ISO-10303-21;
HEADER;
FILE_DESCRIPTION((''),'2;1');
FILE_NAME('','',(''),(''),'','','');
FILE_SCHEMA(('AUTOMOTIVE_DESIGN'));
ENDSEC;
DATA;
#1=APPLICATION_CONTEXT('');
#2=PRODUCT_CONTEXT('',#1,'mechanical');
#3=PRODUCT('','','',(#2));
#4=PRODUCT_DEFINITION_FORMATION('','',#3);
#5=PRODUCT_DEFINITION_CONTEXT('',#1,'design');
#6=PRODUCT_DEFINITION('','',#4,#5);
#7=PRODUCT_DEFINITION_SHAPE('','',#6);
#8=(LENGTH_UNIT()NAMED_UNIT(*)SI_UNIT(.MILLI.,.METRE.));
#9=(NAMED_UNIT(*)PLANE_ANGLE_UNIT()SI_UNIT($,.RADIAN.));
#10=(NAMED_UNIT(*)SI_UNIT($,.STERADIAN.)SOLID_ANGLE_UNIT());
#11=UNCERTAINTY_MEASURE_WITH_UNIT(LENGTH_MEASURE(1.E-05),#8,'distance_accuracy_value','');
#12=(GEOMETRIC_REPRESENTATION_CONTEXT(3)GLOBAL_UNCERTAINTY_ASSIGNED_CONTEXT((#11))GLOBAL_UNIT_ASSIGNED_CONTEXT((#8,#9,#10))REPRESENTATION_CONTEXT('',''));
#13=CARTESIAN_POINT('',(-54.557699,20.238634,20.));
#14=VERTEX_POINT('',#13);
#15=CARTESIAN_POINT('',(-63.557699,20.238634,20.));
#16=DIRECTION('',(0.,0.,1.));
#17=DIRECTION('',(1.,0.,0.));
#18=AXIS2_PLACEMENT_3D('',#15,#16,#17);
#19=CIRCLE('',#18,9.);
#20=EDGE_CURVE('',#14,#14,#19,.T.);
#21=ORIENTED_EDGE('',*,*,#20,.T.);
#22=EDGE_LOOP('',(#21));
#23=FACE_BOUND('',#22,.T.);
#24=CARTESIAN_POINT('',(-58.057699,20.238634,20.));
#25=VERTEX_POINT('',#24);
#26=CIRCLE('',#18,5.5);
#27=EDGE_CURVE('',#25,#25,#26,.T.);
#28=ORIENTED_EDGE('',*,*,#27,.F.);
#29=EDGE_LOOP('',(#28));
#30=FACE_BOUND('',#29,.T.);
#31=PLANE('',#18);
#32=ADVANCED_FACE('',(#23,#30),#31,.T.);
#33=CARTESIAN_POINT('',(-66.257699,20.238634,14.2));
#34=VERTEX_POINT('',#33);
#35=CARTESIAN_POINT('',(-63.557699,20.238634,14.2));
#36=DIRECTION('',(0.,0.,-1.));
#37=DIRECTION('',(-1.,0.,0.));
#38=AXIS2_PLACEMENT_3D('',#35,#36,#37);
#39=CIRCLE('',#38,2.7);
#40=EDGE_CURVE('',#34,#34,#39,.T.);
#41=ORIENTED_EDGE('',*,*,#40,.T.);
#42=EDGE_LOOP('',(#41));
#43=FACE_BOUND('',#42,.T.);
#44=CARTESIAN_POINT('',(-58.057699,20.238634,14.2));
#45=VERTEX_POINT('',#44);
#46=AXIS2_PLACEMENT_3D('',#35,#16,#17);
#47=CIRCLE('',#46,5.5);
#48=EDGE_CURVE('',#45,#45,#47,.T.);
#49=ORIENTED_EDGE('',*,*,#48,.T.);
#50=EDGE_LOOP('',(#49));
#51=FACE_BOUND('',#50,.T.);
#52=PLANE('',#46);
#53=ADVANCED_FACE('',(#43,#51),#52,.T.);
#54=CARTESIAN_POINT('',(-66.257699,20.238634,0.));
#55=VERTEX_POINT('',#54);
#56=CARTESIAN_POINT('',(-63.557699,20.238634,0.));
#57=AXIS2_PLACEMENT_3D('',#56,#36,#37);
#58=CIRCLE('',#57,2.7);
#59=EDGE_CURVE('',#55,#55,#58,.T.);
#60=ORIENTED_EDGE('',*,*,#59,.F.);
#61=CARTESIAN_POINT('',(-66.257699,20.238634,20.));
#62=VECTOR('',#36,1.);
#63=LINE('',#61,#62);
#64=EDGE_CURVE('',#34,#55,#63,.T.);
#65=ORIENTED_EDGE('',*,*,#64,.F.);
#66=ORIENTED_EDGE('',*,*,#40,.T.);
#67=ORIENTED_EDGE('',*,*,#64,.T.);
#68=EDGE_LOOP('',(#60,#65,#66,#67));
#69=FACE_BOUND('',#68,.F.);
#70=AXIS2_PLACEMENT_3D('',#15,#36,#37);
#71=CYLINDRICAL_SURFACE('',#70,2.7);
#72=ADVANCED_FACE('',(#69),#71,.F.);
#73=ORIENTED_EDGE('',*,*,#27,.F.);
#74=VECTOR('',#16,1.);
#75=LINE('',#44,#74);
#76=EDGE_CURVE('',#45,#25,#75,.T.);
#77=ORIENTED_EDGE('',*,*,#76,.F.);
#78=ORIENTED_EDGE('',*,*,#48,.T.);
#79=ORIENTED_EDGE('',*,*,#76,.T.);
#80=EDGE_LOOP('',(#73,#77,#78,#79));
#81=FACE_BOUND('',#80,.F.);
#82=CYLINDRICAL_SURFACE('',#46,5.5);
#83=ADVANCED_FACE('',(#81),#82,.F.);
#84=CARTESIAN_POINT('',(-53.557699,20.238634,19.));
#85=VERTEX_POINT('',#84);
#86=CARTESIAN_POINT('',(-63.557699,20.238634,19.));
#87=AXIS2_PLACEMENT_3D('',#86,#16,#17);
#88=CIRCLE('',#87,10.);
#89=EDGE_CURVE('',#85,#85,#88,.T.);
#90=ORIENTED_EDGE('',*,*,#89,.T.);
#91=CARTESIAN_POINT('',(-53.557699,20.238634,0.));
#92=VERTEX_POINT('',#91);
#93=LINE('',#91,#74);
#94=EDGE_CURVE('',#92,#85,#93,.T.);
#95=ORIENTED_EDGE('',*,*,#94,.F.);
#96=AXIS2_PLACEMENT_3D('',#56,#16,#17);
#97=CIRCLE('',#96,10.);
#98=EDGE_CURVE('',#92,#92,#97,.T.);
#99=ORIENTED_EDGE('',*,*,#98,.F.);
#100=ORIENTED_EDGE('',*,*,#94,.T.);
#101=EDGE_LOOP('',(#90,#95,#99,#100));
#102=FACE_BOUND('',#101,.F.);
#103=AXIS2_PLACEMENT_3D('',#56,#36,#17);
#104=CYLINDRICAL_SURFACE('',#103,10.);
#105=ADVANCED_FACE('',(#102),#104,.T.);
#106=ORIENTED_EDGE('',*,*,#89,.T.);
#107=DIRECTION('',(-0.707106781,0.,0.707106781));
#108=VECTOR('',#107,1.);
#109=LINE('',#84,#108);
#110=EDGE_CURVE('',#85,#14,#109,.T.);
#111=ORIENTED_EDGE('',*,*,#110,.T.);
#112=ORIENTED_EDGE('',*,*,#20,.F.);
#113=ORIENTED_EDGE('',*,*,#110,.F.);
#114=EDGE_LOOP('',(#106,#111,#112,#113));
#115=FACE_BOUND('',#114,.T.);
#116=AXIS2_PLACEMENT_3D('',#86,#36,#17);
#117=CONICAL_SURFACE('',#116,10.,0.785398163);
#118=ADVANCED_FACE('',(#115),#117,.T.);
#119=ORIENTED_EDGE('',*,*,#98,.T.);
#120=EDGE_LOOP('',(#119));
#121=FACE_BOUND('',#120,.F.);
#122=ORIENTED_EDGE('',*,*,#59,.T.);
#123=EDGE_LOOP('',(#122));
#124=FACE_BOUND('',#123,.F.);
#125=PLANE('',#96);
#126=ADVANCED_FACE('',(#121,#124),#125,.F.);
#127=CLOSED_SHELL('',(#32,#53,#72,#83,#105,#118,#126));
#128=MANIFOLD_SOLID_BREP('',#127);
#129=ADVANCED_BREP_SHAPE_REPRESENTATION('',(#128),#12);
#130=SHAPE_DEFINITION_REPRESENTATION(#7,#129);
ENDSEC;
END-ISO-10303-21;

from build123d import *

# Parameters (mm, degrees)
F0_R           = 10
F1_DEPTH       = 20
F2_SIZE        = 1
F4_D           = 5.4
F4_CBORE_D     = 11
F4_CBORE_DEPTH = 5.8


with BuildPart() as f1:
    # F0 (on Top) → F1 (new body)
    with BuildSketch(Plane.XY):
        with Locations((-63.557699, 20.238634)):
            Circle(F0_R)
    extrude(amount=F1_DEPTH)

    # F2
    f2_edges = [f1.edges().sort_by_distance(p)[0] for p in [
        (-73.557699, 20.238634, 20),
    ]]
    chamfer(f2_edges, length=F2_SIZE)

    # F4 (through all)
    with Locations(Plane.XY.offset(20)):
        with Locations((-63.557699, 20.238634)):
            CounterBoreHole(F4_D / 2, F4_CBORE_D / 2, F4_CBORE_DEPTH)


solid = f1.part
